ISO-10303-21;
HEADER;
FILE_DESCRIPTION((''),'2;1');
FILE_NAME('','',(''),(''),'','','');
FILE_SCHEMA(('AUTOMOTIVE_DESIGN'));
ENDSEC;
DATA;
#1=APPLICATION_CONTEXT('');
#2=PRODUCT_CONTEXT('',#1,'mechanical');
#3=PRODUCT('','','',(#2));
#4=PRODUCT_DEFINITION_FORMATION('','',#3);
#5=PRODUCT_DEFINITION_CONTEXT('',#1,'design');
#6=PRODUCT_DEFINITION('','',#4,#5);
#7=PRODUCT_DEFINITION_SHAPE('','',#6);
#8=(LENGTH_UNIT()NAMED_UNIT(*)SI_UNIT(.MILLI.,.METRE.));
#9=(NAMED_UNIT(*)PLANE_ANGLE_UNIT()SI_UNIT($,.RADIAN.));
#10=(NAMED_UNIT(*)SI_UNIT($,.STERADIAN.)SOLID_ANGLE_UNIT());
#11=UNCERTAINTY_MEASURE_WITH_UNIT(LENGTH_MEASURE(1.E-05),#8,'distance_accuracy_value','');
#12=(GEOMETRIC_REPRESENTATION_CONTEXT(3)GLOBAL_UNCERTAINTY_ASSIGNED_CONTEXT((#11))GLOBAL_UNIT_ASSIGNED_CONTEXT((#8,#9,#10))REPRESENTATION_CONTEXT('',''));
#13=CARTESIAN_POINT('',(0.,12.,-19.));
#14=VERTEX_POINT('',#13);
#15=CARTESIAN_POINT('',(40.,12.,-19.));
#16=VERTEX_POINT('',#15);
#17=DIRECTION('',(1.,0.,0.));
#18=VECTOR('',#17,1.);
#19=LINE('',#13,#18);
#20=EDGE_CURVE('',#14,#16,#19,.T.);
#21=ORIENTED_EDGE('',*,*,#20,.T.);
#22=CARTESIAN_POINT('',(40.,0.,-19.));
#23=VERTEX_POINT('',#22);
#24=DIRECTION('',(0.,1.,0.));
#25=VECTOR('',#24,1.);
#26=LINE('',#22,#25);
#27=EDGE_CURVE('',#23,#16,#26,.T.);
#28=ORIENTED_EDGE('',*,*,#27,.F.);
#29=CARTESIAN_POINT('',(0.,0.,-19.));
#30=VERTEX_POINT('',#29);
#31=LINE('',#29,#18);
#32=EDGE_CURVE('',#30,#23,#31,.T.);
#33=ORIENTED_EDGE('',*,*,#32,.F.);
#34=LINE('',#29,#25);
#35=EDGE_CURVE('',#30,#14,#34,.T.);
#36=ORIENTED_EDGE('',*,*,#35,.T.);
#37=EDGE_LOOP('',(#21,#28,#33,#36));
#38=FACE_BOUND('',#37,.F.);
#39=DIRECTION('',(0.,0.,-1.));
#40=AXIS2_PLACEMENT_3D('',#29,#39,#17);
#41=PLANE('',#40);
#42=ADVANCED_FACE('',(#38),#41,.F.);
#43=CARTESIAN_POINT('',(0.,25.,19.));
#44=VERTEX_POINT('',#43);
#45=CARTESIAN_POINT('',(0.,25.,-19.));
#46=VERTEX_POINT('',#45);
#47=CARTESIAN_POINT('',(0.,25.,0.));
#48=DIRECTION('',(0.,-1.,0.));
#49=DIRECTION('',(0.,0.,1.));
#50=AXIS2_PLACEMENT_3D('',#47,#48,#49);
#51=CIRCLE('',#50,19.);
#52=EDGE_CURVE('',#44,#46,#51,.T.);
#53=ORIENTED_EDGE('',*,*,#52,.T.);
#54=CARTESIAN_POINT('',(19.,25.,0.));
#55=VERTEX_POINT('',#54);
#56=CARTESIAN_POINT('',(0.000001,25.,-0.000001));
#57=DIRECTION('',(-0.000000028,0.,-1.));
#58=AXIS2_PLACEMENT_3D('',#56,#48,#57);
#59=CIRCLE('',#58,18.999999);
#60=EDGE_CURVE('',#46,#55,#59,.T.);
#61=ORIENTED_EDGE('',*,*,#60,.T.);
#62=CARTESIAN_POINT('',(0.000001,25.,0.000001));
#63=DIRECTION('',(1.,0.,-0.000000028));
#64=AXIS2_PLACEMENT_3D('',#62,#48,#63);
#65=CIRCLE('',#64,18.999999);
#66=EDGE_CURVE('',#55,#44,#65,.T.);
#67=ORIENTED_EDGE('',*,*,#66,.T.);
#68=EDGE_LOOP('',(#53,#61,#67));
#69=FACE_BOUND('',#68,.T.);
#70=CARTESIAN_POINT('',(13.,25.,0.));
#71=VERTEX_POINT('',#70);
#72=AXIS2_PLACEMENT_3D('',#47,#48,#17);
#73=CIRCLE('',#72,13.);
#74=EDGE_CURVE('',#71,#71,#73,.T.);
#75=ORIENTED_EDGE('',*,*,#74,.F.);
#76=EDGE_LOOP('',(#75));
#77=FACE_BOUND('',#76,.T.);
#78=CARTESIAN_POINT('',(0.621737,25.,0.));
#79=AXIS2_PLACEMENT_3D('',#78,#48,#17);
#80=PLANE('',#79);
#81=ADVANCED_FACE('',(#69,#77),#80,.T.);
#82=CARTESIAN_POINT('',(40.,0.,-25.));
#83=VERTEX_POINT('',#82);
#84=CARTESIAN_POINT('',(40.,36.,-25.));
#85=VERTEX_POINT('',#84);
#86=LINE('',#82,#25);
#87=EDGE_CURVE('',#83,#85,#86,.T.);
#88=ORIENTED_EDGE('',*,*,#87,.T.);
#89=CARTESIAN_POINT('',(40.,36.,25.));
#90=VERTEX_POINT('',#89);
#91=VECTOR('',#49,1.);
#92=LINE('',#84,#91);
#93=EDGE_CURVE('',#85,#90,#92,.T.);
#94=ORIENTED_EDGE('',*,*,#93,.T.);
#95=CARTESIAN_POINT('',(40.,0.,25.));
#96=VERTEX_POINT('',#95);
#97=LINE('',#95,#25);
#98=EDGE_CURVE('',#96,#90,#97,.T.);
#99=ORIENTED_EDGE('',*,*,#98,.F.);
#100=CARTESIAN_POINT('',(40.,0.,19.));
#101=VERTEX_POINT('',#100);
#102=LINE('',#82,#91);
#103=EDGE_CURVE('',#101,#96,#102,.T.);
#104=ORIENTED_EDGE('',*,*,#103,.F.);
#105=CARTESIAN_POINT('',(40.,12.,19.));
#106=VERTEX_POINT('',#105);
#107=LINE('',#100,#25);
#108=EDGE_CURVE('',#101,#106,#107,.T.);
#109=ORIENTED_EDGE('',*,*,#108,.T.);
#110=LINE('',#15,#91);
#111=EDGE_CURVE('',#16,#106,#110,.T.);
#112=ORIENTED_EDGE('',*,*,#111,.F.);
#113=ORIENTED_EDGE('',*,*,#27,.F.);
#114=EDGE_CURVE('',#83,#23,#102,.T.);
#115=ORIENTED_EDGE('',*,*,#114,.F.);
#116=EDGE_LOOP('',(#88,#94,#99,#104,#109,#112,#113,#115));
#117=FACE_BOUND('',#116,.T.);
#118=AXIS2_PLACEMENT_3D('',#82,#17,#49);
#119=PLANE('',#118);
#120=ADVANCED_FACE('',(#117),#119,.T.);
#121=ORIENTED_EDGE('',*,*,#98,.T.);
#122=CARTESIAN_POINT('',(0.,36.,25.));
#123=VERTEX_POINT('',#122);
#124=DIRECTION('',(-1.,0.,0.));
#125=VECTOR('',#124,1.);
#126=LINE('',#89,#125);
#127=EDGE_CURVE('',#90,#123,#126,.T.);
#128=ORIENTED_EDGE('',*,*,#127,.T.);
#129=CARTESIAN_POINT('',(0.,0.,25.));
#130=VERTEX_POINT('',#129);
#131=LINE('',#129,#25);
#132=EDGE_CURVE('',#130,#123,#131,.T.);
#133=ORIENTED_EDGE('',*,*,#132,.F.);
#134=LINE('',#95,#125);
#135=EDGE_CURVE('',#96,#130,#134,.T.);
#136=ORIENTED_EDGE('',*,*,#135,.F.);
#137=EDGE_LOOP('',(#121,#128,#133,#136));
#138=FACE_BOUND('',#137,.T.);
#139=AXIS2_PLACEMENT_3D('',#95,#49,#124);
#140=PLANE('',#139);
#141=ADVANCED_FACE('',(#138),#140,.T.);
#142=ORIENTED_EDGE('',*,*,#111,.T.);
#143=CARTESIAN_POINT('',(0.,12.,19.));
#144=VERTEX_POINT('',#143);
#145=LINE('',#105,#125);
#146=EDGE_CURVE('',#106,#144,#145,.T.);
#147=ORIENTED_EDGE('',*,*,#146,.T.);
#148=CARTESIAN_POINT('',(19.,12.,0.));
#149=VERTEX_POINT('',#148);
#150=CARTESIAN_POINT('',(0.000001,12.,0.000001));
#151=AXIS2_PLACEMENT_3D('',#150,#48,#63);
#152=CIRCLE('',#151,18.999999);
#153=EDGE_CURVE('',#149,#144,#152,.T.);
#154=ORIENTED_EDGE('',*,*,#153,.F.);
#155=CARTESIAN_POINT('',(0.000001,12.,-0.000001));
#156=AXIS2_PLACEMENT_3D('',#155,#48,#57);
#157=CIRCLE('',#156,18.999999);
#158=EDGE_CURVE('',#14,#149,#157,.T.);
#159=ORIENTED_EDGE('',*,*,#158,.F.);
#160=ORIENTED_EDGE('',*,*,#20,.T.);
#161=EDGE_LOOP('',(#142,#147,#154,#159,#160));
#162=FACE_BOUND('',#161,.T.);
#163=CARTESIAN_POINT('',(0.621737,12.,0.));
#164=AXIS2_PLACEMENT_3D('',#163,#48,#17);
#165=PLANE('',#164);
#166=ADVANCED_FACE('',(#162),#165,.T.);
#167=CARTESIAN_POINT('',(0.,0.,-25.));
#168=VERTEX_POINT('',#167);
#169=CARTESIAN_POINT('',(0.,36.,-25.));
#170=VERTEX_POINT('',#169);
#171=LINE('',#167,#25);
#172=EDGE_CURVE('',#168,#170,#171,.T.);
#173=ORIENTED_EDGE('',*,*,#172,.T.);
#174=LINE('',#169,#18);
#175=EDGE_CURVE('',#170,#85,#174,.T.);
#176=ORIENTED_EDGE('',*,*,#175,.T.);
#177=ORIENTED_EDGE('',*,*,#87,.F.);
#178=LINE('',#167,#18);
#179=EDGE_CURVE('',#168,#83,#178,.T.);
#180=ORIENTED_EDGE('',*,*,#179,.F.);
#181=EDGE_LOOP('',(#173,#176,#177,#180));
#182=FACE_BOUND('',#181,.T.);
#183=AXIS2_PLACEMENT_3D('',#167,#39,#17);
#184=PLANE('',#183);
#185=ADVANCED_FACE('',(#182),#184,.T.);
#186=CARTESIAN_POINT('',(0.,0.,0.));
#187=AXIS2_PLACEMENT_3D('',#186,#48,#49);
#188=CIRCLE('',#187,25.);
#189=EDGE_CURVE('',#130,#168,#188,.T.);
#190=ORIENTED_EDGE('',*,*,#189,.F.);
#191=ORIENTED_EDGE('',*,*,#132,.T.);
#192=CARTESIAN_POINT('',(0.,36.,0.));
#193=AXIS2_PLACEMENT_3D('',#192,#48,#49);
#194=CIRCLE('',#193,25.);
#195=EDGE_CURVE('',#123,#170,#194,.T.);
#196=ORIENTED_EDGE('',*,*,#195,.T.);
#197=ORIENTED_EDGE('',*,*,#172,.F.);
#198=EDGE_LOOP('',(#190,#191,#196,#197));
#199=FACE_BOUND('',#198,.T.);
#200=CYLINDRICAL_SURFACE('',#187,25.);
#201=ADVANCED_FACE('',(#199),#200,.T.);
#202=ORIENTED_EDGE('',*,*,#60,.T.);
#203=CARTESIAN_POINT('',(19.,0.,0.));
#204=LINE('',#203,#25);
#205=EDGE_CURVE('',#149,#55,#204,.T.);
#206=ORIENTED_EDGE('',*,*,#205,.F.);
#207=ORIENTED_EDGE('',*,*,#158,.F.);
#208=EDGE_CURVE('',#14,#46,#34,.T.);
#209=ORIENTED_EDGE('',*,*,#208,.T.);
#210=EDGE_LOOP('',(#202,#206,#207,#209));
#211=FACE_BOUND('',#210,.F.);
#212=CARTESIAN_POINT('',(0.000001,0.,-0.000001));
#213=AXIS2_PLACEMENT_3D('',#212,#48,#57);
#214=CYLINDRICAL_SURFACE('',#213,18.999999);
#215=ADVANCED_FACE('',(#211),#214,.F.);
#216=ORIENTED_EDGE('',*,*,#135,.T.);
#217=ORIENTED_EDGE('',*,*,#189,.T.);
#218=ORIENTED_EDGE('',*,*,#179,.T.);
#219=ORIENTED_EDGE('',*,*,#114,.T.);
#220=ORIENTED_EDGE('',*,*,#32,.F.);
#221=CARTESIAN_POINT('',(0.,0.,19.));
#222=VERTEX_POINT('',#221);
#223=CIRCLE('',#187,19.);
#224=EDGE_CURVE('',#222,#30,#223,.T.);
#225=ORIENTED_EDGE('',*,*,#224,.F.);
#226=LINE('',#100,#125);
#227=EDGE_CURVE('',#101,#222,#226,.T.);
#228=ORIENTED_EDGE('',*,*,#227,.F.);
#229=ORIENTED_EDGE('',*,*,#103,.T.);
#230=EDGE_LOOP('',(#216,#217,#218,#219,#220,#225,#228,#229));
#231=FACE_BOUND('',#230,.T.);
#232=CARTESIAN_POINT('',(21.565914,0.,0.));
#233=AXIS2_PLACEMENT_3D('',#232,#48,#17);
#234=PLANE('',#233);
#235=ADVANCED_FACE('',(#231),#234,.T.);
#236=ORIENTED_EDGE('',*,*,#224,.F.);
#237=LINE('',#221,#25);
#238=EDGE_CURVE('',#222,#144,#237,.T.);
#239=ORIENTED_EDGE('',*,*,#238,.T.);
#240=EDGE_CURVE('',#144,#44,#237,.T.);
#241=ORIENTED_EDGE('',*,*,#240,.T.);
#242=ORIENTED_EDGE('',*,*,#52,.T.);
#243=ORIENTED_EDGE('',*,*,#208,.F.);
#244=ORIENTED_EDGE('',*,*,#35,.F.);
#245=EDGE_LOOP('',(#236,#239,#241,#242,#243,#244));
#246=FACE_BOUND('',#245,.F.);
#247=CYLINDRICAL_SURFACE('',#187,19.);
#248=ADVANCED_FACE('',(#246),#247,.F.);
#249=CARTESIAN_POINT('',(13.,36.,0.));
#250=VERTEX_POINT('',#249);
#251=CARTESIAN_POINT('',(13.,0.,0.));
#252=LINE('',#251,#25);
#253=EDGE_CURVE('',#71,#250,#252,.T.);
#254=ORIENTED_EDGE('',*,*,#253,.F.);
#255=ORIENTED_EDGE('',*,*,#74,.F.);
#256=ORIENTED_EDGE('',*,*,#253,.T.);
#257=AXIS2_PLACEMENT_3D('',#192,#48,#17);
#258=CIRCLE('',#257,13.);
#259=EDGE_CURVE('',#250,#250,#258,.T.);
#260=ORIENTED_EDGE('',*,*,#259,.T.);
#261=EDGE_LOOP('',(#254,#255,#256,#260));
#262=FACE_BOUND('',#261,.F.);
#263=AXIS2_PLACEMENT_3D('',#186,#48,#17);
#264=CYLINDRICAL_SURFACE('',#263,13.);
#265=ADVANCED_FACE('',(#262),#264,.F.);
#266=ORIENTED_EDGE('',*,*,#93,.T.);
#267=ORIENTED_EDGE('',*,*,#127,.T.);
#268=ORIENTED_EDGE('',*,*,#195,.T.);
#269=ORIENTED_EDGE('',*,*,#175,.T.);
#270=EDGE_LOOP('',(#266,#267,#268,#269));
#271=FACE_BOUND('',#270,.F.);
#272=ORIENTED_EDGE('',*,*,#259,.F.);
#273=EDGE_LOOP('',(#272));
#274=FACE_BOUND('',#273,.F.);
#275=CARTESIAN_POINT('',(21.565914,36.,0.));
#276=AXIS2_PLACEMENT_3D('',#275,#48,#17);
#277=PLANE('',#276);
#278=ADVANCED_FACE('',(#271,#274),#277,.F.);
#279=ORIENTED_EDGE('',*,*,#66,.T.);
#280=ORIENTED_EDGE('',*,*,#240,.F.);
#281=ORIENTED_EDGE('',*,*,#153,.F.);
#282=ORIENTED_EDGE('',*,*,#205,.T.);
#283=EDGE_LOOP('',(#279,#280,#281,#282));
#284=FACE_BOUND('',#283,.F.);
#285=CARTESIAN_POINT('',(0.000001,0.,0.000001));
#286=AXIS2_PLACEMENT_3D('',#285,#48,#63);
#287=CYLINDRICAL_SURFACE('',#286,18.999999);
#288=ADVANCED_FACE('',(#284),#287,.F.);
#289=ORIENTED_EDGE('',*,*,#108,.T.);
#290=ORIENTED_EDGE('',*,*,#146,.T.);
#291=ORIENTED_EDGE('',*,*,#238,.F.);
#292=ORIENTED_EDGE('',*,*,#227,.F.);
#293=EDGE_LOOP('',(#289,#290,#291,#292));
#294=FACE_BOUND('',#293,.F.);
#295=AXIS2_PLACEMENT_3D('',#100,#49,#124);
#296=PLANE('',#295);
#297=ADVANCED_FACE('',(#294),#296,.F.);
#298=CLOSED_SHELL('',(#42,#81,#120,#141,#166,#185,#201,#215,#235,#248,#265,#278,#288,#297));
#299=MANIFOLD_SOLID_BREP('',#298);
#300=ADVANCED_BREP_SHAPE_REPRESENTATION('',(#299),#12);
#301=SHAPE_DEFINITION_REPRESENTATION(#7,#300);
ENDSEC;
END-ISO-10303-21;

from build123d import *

# Parameters (mm, degrees)
F0_R     = 13
F1_DEPTH = 36
F2_DEPTH = 12
F3_DEPTH = 25


with BuildPart() as f1:
    # F0 (on Front) → F1 (new body)
    with BuildSketch(Plane.XZ):
        with BuildLine():
            ThreePointArc((0, 19), (13.435029, 13.435029), (19, 0))
            ThreePointArc((19, 0), (13.435029, -13.435029), (0, -19))
            Line((0, -19), (40, -19))
            Line((40, -19), (40, 19))
            Line((40, 19), (0, 19))
        make_face()
        with BuildLine():
            ThreePointArc((0, -19), (-19, 0), (0, 19))
            Line((0, 19), (40, 19))
            Line((40, 19), (40, 25))
            Line((40, 25), (0, 25))
            ThreePointArc((0, 25), (-25, 0), (0, -25))
            Line((0, -25), (40, -25))
            Line((40, -25), (40, -19))
            Line((40, -19), (0, -19))
        make_face()
        with BuildLine():
            ThreePointArc((0, -19), (13.435029, -13.435029), (19, 0))
            ThreePointArc((19, 0), (13.435029, 13.435029), (0, 19))
            ThreePointArc((0, 19), (-19, 0), (0, -19))
        make_face()
        Circle(F0_R, mode=Mode.SUBTRACT)
    extrude(amount=-F1_DEPTH)

    # F0 (on Front) → F2 (cut)
    with BuildSketch(Plane.XZ):
        with BuildLine():
            ThreePointArc((0, -19), (13.435029, -13.435029), (19, 0))
            ThreePointArc((19, 0), (13.435029, 13.435029), (0, 19))
            ThreePointArc((0, 19), (-19, 0), (0, -19))
        make_face()
        Circle(F0_R, mode=Mode.SUBTRACT)
        with BuildLine():
            ThreePointArc((0, 19), (13.435029, 13.435029), (19, 0))
            ThreePointArc((19, 0), (13.435029, -13.435029), (0, -19))
            Line((0, -19), (40, -19))
            Line((40, -19), (40, 19))
            Line((40, 19), (0, 19))
        make_face()
    extrude(amount=-F2_DEPTH, mode=Mode.SUBTRACT)

    # F0 (on Front) → F3 (cut)
    with BuildSketch(Plane.XZ):
        with BuildLine():
            ThreePointArc((0, -19), (13.435029, -13.435029), (19, 0))
            ThreePointArc((19, 0), (13.435029, 13.435029), (0, 19))
            ThreePointArc((0, 19), (-19, 0), (0, -19))
        make_face()
        Circle(F0_R, mode=Mode.SUBTRACT)
    extrude(amount=-F3_DEPTH, mode=Mode.SUBTRACT)


solid = f1.part
